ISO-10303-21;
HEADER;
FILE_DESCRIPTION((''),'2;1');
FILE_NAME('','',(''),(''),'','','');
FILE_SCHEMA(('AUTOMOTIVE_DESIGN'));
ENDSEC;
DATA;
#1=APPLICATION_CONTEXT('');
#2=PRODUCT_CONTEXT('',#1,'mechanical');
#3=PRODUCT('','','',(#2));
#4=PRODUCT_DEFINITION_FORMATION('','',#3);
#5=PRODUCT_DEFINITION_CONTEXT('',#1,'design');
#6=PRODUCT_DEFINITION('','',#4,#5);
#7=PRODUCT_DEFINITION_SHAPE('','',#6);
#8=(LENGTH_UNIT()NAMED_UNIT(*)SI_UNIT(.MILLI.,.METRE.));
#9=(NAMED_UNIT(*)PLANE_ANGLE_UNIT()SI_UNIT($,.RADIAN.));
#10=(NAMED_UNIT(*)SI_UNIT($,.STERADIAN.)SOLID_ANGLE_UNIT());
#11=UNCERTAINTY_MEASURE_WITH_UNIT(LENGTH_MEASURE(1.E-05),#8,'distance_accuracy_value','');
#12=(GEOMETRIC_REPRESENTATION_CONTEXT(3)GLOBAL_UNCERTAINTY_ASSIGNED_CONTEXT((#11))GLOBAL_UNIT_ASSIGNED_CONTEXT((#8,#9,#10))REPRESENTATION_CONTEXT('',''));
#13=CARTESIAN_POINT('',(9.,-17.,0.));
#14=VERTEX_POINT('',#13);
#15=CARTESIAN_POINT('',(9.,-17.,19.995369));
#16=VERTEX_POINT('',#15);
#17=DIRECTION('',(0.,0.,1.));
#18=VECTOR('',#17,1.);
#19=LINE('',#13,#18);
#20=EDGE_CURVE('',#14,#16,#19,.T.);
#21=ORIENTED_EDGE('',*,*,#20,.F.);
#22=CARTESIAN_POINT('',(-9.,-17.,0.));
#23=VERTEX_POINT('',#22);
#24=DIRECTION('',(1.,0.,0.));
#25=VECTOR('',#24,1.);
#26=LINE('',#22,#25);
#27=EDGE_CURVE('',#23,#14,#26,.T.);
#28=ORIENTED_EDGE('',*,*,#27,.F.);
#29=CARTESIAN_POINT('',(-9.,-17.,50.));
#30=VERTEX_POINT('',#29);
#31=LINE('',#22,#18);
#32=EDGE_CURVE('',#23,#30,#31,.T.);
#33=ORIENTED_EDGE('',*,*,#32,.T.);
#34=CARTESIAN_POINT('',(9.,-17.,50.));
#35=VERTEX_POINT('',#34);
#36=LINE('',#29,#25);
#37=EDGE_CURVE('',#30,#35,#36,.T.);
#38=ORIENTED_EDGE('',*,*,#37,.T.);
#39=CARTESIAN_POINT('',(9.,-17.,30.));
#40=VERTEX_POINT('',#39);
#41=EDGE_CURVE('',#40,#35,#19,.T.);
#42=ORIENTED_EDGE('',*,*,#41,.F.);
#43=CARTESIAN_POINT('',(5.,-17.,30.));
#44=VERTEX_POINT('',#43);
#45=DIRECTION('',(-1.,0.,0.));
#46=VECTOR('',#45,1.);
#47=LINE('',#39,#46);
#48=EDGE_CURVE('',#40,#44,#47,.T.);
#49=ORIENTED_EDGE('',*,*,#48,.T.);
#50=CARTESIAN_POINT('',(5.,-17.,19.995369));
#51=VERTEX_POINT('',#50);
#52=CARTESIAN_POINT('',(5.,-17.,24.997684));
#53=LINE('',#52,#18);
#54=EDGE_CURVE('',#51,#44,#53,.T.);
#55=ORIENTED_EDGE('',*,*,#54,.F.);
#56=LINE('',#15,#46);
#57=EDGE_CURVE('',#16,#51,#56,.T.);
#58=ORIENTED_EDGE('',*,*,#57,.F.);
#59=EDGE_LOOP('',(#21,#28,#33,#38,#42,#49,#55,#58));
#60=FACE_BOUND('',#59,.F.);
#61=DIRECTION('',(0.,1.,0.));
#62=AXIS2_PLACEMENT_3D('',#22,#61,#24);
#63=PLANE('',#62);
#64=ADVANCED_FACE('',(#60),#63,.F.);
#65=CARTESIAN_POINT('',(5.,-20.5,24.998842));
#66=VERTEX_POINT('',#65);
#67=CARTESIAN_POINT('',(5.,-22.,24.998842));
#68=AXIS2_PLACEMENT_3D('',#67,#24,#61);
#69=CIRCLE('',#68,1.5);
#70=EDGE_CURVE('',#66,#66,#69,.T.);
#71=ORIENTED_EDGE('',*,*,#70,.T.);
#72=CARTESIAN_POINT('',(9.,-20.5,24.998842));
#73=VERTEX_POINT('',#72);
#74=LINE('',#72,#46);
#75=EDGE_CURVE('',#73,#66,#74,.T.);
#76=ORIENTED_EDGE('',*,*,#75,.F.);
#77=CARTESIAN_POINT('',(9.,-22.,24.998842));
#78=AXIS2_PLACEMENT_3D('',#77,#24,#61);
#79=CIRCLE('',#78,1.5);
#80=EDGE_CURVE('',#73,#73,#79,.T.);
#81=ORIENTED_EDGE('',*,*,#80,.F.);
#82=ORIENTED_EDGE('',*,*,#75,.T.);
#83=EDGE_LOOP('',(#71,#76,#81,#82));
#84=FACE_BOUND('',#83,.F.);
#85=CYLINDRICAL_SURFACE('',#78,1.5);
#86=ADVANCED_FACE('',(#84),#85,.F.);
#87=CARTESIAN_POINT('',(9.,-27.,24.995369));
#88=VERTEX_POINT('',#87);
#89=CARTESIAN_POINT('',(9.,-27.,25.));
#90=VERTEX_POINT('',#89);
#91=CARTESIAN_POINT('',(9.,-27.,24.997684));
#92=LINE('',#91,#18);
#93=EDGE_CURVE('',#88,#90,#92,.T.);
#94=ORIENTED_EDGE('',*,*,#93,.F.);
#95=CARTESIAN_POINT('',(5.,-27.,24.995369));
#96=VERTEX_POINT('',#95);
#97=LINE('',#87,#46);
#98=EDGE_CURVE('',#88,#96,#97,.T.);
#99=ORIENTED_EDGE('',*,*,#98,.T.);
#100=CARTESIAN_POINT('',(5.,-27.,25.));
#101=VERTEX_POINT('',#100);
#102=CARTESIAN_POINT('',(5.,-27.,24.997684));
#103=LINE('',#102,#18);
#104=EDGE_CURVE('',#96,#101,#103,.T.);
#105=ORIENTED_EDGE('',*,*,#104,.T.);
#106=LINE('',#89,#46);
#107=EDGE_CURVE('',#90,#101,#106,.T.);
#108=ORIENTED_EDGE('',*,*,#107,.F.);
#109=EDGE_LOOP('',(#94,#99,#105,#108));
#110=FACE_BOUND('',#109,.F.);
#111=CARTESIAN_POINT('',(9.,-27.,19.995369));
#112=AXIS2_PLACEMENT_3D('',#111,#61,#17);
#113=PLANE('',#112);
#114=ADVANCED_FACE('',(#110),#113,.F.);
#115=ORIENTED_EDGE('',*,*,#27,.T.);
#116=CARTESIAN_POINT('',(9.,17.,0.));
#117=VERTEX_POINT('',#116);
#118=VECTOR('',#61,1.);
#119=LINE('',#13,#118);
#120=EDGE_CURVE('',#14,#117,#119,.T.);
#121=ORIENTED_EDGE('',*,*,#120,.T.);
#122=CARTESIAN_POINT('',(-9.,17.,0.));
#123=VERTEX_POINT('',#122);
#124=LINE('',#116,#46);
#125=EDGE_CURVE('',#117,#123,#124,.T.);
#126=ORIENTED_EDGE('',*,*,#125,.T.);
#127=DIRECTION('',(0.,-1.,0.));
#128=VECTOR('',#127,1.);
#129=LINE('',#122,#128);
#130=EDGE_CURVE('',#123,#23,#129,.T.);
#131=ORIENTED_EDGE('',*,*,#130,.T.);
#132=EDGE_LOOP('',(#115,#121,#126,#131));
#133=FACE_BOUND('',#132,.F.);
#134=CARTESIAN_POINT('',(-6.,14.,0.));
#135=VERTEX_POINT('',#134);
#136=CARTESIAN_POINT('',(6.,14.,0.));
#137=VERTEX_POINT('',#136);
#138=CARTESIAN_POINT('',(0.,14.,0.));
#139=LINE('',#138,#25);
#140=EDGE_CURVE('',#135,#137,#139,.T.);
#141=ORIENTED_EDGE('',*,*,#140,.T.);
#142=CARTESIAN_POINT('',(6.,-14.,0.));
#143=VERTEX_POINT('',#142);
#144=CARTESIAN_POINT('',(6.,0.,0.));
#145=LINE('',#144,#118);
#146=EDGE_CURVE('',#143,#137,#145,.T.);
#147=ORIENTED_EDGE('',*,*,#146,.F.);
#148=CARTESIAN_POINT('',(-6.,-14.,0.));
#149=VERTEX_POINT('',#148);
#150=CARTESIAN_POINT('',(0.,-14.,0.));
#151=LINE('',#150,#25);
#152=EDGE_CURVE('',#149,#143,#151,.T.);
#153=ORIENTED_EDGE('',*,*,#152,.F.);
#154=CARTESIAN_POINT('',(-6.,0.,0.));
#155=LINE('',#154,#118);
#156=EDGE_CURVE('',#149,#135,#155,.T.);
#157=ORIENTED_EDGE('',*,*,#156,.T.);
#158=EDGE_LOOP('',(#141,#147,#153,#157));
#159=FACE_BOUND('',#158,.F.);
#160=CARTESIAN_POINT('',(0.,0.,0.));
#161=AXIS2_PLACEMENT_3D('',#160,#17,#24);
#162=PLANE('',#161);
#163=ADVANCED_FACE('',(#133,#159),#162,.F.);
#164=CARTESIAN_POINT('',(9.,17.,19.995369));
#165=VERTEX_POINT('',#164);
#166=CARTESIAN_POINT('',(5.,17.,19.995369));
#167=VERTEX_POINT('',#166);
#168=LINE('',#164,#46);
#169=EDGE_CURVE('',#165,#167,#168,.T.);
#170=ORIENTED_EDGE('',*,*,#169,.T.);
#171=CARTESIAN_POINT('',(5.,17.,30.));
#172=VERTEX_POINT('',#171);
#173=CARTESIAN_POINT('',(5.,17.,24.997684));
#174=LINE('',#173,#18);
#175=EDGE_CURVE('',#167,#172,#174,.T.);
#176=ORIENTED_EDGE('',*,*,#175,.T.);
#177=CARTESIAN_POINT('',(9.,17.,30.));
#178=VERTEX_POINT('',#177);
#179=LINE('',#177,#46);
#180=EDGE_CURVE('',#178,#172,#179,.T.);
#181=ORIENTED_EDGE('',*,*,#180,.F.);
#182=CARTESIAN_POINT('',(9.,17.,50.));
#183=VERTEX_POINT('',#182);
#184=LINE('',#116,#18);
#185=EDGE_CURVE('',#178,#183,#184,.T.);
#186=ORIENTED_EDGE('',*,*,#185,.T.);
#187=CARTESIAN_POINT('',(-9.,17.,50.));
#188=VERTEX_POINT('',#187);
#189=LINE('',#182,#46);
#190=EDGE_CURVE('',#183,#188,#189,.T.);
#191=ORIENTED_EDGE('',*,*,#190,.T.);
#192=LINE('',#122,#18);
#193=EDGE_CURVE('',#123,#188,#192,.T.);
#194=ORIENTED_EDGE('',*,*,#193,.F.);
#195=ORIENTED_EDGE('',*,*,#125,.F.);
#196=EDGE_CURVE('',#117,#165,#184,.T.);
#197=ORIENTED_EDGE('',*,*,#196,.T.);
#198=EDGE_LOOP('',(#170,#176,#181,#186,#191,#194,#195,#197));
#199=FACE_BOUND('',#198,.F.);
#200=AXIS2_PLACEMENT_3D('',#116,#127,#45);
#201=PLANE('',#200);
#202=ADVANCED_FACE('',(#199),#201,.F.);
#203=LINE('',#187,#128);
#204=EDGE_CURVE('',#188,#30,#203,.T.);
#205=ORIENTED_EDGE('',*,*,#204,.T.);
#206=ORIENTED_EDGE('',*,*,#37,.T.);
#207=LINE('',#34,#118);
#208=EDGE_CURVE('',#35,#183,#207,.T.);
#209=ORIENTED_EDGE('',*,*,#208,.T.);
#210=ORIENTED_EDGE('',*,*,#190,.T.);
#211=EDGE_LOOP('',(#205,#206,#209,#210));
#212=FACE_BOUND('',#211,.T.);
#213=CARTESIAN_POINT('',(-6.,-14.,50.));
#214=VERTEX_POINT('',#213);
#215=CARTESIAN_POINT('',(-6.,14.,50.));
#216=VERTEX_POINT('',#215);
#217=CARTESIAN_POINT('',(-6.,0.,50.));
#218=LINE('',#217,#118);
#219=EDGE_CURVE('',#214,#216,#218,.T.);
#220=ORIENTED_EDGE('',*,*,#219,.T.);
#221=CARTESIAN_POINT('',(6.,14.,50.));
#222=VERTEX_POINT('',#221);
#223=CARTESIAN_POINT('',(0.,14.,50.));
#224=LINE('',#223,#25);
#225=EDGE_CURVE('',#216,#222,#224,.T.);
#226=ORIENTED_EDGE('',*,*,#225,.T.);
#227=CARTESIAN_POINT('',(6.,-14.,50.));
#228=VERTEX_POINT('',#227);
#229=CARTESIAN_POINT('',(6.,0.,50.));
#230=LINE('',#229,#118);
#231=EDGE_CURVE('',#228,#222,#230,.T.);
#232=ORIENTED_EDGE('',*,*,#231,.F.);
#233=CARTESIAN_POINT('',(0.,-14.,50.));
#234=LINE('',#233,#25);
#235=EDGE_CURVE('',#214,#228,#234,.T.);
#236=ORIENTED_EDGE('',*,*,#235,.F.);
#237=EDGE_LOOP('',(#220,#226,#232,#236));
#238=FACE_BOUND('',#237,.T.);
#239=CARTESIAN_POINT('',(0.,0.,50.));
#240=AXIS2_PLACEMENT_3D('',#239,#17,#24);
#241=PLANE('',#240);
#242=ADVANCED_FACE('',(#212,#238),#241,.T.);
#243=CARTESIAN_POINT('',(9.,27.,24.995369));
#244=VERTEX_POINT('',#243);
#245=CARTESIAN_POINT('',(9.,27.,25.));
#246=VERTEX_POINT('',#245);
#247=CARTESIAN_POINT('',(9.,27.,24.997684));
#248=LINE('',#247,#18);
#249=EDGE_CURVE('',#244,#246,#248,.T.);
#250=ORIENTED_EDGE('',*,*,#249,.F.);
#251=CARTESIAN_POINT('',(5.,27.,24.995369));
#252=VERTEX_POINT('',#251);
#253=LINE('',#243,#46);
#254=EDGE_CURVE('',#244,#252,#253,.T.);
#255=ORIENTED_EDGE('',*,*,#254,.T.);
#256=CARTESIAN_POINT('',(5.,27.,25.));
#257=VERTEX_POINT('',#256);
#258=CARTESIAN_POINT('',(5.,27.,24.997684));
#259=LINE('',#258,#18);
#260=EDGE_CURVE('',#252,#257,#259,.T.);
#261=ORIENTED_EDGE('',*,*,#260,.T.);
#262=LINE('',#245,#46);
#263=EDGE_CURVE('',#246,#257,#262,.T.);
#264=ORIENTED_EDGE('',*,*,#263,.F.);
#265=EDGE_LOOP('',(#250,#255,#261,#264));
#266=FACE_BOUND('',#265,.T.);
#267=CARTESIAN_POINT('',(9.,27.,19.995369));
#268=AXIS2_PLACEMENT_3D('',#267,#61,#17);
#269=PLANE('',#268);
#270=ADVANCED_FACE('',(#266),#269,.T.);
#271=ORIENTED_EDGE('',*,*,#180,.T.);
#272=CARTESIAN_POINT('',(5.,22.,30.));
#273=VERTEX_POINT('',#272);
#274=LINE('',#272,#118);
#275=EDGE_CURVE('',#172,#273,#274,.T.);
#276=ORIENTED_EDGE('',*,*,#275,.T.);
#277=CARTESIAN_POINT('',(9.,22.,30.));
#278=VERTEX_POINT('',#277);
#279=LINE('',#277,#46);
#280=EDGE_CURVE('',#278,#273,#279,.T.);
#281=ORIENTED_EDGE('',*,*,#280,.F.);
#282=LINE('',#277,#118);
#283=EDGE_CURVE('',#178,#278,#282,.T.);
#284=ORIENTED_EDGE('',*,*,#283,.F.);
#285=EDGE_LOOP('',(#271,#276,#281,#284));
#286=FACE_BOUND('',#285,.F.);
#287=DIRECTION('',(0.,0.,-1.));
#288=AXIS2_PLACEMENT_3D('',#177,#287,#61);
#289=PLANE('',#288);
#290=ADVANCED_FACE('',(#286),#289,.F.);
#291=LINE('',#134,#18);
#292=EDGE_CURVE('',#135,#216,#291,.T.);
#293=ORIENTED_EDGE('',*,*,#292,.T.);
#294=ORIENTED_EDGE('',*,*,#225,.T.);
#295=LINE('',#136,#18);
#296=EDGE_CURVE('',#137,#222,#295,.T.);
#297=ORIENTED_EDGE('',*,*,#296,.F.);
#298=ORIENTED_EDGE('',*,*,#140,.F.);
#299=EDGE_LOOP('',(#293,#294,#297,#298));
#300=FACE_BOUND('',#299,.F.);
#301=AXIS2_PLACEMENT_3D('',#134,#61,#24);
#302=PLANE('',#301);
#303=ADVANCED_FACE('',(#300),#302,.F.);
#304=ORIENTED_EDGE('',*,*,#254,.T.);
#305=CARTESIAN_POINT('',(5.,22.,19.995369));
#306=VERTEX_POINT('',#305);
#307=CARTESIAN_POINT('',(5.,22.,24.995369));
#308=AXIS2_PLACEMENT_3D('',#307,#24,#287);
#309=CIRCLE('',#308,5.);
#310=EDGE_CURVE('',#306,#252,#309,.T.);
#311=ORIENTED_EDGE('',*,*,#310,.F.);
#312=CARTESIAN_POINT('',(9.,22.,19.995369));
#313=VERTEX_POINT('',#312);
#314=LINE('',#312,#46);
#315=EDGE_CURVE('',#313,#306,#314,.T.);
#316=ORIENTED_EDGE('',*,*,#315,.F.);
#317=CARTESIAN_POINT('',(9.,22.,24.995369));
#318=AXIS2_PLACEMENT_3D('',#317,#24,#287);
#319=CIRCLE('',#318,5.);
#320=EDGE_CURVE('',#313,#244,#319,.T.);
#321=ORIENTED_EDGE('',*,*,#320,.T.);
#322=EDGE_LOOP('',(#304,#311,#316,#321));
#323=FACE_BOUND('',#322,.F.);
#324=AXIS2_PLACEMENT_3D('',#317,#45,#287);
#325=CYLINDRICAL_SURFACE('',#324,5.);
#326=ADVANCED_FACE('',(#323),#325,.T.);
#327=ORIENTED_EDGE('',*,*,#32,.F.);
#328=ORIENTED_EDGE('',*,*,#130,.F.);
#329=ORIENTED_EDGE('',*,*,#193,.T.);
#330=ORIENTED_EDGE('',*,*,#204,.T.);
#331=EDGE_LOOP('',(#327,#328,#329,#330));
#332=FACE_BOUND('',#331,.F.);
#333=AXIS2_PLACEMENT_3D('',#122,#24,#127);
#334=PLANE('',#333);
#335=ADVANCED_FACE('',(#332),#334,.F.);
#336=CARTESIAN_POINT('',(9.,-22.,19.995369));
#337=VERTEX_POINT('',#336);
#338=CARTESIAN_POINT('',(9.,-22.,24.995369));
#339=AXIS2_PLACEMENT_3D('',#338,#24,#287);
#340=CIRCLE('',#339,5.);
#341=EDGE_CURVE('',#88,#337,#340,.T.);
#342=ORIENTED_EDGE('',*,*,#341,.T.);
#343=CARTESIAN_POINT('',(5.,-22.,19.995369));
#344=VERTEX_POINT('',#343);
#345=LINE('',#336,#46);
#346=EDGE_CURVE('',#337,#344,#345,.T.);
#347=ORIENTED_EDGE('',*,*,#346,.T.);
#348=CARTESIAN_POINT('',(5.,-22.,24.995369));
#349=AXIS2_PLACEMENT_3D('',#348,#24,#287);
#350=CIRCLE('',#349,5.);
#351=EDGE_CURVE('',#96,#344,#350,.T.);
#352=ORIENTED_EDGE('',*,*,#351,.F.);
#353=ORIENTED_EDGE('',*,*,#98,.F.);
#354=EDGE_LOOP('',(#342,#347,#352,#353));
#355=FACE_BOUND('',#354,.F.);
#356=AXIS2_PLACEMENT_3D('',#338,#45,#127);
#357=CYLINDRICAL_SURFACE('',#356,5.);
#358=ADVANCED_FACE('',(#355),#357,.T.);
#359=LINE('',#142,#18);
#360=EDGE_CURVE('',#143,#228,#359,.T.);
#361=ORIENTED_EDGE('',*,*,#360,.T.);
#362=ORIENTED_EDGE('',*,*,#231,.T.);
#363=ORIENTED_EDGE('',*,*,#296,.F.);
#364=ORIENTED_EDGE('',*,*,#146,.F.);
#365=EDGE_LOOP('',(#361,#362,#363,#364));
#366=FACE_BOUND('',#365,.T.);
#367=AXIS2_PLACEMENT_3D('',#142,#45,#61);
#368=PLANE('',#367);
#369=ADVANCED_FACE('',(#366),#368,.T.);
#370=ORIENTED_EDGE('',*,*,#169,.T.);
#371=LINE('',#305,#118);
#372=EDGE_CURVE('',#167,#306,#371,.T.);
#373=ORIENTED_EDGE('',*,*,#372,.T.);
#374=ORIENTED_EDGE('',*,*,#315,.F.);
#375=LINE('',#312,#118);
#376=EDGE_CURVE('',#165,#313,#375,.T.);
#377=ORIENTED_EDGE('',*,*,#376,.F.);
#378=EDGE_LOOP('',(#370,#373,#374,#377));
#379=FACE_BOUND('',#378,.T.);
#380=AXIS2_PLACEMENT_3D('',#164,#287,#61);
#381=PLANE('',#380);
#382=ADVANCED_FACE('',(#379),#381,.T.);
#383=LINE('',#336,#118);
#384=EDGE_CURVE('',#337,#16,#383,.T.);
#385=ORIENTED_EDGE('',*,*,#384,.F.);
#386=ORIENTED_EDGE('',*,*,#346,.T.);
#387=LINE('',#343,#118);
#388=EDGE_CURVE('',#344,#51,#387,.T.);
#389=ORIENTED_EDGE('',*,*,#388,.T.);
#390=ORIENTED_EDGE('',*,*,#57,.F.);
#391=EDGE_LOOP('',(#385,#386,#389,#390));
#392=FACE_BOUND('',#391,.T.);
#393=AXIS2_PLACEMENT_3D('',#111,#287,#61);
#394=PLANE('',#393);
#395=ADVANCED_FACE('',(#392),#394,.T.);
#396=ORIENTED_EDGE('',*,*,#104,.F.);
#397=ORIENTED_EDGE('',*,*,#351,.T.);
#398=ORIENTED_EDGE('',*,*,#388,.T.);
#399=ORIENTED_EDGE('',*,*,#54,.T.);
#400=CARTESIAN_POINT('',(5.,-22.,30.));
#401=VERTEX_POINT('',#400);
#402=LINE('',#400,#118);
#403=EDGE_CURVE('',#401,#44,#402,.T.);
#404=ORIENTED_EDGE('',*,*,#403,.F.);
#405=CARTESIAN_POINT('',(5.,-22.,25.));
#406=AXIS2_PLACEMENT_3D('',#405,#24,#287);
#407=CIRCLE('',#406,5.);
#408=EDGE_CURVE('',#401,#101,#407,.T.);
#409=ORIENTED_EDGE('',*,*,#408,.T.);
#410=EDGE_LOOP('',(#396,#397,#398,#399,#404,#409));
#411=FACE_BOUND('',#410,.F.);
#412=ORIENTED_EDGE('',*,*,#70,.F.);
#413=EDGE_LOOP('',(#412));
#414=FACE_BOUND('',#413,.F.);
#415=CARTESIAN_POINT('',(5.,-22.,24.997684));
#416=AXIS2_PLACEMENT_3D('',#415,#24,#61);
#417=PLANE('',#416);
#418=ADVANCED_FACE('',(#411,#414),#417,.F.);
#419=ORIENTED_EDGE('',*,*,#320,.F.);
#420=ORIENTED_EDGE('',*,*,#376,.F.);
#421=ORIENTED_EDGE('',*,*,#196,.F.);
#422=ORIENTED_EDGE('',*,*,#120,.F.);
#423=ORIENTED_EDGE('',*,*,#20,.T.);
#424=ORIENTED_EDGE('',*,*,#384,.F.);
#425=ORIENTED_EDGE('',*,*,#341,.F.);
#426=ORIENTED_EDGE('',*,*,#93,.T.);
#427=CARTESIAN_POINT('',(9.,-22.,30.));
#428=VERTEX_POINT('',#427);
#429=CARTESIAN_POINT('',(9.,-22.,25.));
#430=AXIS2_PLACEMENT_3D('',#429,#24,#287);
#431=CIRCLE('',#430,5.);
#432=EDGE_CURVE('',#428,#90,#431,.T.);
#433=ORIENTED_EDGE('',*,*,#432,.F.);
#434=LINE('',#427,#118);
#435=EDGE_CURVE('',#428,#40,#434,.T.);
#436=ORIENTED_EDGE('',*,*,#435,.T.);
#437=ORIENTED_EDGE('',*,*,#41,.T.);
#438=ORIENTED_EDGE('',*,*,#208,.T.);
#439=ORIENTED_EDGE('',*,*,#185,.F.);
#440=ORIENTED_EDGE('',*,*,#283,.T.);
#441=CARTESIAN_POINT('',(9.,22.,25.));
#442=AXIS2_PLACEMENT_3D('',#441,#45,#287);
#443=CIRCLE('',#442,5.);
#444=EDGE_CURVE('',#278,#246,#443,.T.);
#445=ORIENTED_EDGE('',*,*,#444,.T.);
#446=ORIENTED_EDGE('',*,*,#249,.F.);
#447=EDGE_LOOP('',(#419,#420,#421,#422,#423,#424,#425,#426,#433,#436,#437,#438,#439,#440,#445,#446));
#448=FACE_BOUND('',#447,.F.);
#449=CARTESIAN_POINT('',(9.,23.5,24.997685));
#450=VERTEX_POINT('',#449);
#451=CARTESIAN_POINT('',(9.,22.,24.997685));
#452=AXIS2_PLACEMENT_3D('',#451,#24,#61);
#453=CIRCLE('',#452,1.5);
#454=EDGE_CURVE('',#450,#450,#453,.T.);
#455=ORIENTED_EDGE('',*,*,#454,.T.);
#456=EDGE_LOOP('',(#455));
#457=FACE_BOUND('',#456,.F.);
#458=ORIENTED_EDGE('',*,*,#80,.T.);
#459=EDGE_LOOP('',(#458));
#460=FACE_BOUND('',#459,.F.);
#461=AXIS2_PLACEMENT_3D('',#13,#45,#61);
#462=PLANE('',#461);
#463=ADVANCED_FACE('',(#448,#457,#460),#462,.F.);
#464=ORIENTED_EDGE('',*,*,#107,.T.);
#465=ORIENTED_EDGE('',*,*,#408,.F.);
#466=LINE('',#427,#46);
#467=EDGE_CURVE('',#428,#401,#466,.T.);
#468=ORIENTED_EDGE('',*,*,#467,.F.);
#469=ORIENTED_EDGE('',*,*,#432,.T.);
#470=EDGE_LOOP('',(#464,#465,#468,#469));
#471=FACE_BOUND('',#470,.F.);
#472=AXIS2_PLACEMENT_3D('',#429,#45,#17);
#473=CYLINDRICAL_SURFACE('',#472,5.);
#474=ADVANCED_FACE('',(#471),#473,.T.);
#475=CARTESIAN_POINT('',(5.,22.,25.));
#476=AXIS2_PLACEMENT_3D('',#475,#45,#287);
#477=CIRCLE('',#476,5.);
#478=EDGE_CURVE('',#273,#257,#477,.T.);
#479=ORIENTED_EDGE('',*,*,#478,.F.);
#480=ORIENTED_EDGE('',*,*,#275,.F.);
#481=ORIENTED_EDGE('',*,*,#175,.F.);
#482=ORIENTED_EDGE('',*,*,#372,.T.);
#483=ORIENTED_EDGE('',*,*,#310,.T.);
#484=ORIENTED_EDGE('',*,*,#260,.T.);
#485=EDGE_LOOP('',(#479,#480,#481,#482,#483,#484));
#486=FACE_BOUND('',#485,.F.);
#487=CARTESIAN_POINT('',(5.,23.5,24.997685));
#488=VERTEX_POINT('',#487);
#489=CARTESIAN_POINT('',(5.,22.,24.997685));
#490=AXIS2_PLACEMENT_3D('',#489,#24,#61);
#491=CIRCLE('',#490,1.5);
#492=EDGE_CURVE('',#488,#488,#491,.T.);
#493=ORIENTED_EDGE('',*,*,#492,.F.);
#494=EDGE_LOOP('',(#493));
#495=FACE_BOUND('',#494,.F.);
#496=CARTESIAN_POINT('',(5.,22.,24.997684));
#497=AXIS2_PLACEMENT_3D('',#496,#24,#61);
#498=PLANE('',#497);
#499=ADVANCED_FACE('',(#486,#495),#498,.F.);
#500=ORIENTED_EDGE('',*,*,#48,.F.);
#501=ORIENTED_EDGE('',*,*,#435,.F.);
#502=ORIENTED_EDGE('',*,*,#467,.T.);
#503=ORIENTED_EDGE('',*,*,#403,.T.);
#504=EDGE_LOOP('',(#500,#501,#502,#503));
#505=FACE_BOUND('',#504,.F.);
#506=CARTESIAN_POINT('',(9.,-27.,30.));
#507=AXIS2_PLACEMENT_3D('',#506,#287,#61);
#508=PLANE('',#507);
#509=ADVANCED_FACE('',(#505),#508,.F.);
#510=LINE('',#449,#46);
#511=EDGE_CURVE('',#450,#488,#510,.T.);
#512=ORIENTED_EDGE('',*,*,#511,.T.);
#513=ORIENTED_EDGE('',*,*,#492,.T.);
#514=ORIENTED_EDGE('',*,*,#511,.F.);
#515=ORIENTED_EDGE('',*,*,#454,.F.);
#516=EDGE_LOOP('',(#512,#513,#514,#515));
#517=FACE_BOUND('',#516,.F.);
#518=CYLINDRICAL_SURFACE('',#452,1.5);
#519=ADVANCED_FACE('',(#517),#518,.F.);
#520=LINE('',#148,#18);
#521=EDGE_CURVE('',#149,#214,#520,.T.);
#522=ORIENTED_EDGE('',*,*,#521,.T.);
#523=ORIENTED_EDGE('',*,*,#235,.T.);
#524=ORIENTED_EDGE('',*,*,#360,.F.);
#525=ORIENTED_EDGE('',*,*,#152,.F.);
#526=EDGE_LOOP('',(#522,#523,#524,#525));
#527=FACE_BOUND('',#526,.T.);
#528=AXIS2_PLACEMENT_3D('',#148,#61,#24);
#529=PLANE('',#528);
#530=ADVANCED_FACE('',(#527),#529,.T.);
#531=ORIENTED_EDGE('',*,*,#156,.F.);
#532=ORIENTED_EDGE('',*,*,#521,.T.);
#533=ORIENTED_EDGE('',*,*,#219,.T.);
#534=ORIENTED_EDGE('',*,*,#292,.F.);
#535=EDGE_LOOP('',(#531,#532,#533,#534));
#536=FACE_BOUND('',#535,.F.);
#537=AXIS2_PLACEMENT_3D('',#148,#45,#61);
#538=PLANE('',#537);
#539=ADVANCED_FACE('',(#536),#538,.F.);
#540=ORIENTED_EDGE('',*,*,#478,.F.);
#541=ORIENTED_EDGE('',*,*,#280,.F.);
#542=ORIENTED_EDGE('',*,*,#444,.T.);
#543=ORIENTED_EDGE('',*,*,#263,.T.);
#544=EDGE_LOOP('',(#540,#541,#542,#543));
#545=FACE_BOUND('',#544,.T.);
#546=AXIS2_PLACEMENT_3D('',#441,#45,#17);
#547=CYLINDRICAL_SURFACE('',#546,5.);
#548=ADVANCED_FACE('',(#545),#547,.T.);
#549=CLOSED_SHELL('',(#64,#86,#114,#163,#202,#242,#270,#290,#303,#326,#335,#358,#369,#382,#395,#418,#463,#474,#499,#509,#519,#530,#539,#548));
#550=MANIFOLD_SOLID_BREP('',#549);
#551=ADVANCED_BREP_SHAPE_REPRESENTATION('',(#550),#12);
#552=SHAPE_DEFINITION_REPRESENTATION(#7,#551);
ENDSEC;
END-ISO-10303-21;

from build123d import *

# Parameters (mm, degrees)
F0_W     = 12
F0_H     = 28
F1_DEPTH = 50
F2_W     = 10
F2_H     = 10.004631
F2_R     = 1.5
F3_DEPTH = 4
F4_R     = 5
F5_R     = 5


with BuildPart() as f1:
    # F0 (on Top) → F1 (new body)
    with BuildSketch(Plane.XY):
        Polygon((-9, -17), (9, -17), (9, -5), (9, 5), (9, 17), (-9, 17), (-9, 5), (-9, -5), align=None)
        Rectangle(F0_W, F0_H, mode=Mode.SUBTRACT)
    extrude(amount=F1_DEPTH)

    # F2 (on face) → F3 (join)
    with BuildSketch(Plane.YZ.offset(9)):
        with Locations((-22, 24.997684)):
            Rectangle(F2_W, F2_H)
        with Locations((-22, 24.998842)):
            Circle(F2_R, mode=Mode.SUBTRACT)
        with Locations((22, 24.997684)):
            Rectangle(F2_W, F2_H)
        with Locations((22, 24.997685)):
            Circle(F2_R, mode=Mode.SUBTRACT)
    extrude(amount=-F3_DEPTH)

    # F4
    f4_edges = [f1.edges().sort_by_distance(p)[0] for p in [
        (7, 27, 19.995369),
        (7, 27, 30),
    ]]
    fillet(f4_edges, radius=F4_R)

    # F5
    f5_edges = [f1.edges().sort_by_distance(p)[0] for p in [
        (7, -27, 19.995369),
        (7, -27, 30),
    ]]
    fillet(f5_edges, radius=F5_R)


solid = f1.part
